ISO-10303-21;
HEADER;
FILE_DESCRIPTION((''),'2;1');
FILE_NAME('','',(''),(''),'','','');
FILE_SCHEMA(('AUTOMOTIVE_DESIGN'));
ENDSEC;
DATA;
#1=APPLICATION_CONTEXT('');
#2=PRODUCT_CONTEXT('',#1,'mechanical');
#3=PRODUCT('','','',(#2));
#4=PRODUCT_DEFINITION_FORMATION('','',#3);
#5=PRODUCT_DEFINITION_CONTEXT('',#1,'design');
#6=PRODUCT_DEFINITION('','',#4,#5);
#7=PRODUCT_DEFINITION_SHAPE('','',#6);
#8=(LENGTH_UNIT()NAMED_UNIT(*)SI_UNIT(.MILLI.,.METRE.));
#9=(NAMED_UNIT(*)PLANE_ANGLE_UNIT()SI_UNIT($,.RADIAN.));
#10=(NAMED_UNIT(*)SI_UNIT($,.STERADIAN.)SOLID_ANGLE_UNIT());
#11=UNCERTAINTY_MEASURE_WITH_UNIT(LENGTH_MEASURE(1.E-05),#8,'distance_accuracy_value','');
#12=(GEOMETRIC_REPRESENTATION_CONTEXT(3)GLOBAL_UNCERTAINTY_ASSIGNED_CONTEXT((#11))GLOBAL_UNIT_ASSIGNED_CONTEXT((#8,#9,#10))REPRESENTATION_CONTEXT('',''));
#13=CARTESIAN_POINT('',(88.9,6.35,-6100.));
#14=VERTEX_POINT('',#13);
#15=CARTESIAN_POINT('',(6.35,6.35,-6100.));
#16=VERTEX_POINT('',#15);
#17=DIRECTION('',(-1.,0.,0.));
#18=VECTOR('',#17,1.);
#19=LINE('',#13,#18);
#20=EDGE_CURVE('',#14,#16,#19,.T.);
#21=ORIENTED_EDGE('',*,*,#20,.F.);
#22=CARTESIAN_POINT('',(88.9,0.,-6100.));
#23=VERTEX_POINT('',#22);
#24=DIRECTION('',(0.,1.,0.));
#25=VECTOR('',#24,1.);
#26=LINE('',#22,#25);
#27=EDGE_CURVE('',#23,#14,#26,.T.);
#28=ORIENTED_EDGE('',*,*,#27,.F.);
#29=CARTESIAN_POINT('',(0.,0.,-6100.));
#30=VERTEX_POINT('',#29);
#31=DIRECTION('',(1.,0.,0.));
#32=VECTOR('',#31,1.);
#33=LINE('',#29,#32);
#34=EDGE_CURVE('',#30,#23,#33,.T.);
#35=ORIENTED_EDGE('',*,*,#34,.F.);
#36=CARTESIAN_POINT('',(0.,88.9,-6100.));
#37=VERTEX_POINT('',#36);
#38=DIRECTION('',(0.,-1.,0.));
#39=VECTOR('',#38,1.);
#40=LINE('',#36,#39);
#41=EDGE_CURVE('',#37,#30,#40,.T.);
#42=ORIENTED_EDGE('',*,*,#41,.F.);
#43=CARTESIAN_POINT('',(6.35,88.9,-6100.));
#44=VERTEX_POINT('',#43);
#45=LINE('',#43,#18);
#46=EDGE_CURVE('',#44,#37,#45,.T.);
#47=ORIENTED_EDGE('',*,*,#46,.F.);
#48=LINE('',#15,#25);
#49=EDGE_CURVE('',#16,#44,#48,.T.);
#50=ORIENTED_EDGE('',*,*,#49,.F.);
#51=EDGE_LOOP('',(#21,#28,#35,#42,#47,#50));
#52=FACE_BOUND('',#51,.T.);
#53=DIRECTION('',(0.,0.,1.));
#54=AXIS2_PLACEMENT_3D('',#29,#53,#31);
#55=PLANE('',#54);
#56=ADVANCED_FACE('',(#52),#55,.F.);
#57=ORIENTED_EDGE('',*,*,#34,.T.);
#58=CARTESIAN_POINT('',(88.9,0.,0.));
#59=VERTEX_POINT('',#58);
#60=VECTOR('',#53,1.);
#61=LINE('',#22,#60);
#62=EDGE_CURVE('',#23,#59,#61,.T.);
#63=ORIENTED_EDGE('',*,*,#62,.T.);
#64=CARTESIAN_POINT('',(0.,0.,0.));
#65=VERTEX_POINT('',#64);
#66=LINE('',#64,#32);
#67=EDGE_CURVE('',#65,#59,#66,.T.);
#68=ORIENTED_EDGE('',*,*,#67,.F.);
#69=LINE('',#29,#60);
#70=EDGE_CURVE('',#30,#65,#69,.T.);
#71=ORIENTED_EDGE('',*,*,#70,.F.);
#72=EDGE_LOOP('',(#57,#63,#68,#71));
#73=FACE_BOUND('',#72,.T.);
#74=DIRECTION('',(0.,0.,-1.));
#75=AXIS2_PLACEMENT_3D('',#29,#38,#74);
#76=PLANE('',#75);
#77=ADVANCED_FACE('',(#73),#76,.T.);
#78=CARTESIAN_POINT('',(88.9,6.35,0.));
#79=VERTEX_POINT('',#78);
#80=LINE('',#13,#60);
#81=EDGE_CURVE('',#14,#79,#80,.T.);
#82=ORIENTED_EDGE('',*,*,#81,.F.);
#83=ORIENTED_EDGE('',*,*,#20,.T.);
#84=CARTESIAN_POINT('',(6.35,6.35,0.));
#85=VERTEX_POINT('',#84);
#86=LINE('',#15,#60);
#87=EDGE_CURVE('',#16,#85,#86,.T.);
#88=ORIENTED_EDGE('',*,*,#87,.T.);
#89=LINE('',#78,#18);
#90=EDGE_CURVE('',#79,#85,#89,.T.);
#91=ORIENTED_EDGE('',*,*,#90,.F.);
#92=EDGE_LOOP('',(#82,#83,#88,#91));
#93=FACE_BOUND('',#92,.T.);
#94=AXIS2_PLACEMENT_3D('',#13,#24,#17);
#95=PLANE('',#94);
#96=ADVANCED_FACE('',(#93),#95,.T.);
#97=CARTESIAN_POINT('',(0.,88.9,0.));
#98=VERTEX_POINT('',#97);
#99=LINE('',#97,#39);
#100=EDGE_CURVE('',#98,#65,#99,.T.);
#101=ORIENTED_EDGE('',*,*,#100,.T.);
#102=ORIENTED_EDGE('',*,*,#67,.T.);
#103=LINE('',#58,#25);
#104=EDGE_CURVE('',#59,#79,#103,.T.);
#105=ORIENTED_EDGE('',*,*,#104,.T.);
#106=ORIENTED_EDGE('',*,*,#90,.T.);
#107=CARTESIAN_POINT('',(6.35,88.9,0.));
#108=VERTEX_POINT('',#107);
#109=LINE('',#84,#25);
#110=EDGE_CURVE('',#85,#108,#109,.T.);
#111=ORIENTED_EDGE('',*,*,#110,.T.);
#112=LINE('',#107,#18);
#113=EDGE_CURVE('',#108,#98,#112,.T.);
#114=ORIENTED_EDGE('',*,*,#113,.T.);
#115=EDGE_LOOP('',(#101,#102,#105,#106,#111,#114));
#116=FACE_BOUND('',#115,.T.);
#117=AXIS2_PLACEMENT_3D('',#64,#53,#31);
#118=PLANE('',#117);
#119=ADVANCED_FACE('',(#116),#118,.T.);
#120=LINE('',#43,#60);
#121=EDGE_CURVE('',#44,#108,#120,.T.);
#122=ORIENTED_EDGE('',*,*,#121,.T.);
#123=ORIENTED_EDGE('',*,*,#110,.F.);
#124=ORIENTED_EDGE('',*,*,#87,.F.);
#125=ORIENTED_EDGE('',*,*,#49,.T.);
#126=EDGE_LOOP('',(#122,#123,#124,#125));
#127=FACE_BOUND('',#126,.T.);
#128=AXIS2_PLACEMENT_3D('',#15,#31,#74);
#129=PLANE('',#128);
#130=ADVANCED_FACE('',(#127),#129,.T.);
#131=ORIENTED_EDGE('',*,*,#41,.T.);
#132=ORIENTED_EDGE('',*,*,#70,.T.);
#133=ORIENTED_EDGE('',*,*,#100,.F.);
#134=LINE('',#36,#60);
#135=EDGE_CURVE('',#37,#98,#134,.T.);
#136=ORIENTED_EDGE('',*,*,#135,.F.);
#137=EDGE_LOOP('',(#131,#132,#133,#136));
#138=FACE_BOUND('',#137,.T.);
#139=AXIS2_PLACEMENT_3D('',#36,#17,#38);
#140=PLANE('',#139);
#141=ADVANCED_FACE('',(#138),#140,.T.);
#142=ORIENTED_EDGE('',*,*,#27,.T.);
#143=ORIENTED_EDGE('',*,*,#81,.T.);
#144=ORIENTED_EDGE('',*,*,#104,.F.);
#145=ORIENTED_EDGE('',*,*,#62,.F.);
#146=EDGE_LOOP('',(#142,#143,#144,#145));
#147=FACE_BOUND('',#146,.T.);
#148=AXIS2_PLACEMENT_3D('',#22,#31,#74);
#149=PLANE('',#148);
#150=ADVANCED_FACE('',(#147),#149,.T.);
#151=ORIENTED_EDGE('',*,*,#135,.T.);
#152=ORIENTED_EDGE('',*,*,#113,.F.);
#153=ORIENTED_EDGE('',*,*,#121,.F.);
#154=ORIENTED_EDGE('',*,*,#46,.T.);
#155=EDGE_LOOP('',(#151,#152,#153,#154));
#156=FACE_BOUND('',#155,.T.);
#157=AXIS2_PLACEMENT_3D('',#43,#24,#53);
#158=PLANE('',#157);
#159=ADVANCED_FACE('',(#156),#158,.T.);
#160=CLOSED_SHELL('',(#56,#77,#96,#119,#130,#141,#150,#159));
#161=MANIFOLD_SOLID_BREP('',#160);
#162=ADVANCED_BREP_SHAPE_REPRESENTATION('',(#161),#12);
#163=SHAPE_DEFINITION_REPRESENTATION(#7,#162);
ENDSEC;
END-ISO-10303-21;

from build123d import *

# Parameters (mm, degrees)
SALIENTE_EXTRUIR1_DEPTH = 6100


with BuildPart() as part:
    # Croquis1 → Saliente-Extruir1 (new body)
    with BuildSketch(Plane.XY):
        Polygon((0, 88.9), (0, 0), (88.9, 0), (88.9, 6.35), (6.35, 6.35), (6.35, 88.9), align=None)
    extrude(amount=-SALIENTE_EXTRUIR1_DEPTH)


solid = part.part
